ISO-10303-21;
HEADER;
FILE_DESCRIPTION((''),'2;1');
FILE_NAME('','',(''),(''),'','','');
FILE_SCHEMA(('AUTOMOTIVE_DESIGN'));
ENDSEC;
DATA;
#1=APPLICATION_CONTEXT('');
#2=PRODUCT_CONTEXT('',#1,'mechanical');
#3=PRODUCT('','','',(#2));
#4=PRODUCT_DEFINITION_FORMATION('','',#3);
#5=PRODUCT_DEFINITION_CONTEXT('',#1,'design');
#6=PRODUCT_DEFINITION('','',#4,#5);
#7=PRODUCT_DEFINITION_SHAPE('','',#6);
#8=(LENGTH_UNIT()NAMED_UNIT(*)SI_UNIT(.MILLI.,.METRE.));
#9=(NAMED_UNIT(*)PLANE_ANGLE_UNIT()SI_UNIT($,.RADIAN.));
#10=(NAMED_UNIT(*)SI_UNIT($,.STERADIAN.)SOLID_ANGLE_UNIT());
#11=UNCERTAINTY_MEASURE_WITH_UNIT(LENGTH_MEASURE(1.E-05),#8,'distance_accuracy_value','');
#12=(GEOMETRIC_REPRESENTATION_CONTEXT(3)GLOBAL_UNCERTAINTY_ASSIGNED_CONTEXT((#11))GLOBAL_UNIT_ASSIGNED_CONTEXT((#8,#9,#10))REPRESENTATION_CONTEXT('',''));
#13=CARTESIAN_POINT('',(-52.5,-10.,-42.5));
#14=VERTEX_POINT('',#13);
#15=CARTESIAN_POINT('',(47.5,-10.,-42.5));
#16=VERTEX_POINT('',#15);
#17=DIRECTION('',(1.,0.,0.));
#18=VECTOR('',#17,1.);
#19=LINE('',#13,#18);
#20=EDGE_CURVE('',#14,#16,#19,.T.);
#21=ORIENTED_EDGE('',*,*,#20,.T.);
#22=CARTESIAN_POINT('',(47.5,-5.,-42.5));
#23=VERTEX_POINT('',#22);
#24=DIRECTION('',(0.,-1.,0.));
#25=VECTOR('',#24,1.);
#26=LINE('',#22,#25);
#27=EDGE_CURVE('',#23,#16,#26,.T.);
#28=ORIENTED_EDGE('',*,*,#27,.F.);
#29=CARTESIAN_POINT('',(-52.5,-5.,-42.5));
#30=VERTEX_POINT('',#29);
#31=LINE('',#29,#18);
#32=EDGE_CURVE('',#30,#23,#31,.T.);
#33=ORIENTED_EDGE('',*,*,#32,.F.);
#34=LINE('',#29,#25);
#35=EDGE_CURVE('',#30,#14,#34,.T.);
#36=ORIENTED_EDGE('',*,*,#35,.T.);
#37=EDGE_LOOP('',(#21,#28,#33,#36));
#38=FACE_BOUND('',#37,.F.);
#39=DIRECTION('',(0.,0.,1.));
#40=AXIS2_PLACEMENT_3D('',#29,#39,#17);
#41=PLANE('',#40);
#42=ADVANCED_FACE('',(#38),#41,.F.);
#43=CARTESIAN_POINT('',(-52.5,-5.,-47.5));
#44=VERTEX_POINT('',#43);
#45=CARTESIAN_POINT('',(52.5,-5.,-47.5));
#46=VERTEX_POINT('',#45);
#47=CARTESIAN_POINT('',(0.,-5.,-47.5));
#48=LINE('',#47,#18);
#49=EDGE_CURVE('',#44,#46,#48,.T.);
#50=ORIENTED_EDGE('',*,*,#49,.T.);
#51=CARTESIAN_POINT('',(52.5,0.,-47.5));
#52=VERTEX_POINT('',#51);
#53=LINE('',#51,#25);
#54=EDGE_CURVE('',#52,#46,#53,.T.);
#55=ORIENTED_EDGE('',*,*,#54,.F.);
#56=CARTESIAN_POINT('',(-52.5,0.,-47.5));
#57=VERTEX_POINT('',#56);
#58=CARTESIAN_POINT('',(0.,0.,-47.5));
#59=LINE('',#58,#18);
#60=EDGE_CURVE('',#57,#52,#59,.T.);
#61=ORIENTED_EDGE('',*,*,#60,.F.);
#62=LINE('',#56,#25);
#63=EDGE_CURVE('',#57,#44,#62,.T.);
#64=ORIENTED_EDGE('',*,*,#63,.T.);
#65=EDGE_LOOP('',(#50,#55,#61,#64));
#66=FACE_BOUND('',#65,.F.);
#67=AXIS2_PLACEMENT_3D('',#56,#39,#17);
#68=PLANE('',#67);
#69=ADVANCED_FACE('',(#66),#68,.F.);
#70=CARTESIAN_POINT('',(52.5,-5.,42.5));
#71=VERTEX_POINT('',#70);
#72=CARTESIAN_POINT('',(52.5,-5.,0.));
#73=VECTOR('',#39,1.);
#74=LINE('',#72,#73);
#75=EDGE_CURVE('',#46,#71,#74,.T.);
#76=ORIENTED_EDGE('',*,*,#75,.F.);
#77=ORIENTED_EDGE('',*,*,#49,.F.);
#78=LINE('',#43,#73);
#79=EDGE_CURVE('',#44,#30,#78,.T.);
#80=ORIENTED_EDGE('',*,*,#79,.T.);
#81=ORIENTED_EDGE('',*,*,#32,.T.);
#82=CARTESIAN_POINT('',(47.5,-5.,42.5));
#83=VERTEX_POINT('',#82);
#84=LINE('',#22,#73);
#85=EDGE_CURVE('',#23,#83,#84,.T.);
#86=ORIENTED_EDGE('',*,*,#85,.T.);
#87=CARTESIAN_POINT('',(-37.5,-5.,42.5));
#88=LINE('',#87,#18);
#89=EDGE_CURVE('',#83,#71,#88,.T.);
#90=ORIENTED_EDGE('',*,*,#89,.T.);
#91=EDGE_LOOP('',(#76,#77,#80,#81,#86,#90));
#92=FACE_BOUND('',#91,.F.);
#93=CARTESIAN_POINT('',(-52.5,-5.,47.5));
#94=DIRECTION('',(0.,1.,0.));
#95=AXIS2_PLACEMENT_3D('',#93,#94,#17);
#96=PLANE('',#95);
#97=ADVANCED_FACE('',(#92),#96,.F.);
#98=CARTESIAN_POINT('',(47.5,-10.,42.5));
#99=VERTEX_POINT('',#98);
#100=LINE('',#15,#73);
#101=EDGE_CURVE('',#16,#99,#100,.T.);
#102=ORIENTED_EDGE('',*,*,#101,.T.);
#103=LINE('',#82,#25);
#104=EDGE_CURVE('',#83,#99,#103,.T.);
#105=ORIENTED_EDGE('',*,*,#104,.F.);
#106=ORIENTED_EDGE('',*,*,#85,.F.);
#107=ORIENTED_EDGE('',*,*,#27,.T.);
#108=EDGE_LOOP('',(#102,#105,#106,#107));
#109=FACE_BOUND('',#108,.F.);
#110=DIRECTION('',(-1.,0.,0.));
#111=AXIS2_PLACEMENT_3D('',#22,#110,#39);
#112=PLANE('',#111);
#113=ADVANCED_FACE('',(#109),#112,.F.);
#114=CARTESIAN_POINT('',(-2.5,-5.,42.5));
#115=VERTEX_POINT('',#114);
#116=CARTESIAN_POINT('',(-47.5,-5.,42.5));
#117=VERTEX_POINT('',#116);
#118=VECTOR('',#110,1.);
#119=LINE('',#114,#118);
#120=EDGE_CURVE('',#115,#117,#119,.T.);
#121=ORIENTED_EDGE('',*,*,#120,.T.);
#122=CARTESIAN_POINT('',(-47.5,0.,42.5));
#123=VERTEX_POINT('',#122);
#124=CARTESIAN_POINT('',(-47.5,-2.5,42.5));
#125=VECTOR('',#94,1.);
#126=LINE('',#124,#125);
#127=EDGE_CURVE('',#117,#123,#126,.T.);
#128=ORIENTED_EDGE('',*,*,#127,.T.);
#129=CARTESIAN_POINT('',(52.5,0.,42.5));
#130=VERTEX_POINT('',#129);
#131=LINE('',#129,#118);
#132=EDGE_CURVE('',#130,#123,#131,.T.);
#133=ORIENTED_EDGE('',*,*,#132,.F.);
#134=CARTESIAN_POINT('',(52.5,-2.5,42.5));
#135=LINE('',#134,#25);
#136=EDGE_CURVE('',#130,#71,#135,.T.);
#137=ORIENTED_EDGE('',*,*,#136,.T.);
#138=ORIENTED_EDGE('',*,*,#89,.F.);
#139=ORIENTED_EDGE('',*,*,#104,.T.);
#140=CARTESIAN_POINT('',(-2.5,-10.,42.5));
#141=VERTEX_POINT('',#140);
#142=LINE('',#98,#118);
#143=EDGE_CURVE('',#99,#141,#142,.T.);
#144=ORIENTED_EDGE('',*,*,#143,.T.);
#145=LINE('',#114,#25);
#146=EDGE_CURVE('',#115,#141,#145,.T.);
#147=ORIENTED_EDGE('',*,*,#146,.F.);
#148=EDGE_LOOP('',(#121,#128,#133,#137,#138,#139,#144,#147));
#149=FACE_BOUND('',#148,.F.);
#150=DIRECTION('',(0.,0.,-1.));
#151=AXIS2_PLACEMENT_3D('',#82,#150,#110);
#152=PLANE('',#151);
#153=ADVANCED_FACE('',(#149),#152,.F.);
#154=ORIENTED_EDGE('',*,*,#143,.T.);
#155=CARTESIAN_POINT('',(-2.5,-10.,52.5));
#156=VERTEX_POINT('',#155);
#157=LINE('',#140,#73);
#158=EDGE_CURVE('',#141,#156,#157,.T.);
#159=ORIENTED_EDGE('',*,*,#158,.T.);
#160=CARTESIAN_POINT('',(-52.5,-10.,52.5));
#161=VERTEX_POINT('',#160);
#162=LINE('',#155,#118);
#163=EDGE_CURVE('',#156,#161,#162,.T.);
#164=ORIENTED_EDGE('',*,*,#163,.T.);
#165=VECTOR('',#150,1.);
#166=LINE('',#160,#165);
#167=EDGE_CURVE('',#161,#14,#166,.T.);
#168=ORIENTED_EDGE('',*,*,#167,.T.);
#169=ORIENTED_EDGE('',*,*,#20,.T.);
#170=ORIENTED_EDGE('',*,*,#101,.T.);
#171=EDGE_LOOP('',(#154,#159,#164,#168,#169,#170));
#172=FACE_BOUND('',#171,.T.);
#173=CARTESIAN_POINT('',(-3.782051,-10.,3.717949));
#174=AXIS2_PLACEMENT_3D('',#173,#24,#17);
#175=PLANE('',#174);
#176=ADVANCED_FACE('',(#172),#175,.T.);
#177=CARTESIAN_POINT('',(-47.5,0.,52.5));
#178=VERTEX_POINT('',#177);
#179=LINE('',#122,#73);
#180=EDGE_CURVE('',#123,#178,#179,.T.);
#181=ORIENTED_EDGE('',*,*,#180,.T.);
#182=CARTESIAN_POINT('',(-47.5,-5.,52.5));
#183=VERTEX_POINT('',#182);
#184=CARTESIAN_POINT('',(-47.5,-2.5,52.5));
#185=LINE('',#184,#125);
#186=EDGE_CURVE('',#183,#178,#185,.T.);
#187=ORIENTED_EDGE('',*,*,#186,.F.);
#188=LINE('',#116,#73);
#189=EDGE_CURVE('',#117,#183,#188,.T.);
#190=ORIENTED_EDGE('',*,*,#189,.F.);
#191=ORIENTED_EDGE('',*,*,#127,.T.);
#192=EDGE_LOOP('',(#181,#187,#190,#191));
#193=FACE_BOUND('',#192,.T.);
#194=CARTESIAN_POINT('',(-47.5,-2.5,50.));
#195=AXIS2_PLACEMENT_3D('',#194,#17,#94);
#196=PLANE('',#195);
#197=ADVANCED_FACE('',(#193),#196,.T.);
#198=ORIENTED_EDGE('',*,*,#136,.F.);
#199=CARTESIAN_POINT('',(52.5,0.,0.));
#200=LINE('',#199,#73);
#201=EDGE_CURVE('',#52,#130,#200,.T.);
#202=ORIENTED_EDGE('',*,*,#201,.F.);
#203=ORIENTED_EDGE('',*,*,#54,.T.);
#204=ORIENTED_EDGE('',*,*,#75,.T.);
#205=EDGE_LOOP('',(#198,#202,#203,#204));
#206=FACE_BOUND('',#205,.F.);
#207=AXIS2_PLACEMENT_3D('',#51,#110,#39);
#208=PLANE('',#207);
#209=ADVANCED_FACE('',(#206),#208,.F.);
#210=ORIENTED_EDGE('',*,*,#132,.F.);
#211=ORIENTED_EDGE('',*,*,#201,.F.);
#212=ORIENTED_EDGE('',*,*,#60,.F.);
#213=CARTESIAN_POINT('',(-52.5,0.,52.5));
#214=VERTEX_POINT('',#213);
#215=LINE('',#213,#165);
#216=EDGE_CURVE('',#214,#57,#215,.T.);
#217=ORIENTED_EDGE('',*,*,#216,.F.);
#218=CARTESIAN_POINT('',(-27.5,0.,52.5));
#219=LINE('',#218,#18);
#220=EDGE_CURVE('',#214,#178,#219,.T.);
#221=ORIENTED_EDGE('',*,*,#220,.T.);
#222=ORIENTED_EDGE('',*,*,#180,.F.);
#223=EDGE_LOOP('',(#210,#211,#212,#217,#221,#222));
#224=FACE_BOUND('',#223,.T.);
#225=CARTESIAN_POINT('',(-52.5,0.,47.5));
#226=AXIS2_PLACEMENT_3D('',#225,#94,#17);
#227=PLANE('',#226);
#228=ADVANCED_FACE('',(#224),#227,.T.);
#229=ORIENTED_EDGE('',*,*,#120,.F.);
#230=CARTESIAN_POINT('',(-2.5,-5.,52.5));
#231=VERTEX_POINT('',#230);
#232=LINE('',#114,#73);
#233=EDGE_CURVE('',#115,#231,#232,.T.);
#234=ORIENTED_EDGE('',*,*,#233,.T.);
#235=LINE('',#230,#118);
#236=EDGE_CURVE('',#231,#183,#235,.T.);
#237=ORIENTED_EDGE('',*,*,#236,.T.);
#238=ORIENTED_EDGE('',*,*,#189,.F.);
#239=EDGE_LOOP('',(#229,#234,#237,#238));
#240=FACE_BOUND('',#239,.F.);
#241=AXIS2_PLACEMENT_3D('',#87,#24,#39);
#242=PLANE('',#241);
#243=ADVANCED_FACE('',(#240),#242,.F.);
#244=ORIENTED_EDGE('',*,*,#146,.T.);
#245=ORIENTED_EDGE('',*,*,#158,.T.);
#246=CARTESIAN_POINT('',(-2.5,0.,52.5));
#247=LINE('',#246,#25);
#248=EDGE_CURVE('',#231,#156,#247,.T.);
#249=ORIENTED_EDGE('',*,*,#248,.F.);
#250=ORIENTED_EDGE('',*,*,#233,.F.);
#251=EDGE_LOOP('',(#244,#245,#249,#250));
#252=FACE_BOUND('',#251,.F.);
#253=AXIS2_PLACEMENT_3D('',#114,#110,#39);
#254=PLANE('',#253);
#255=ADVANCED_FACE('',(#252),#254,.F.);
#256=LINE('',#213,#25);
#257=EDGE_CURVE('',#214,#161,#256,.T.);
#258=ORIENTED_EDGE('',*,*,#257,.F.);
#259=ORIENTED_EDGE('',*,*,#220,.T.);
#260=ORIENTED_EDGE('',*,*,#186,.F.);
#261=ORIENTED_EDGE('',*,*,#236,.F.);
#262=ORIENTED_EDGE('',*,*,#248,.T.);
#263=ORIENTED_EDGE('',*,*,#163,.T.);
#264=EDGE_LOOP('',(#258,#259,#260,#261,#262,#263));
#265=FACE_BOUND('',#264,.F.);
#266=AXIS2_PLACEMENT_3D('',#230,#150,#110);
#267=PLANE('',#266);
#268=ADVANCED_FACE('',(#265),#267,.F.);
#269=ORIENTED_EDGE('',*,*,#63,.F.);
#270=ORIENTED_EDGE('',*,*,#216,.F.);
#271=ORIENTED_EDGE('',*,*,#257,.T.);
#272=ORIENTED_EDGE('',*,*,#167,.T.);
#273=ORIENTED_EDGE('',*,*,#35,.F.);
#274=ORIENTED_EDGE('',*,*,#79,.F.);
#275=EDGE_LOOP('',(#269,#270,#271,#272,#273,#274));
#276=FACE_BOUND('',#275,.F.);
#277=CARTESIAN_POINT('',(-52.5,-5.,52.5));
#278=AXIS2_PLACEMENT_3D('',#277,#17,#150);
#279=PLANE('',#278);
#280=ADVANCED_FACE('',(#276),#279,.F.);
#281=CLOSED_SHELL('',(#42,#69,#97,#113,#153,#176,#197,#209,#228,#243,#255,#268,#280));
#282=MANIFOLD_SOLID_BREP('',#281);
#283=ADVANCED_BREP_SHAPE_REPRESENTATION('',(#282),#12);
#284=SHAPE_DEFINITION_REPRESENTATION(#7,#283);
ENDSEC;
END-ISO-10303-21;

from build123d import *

# Parameters (mm, degrees)
F0_W      = 105
F0_H      = 95
F1_DEPTH  = 5
F2_W      = 50
F2_H      = 5
F3_DEPTH  = 5
F5_DEPTH  = 5
F6_W      = 5
F6_H      = 5
F7_DEPTH  = 45
F8_W      = 10
F8_H      = 5
F9_DEPTH  = 5
F9_FACE_W = 5
F9_FACE_H = 5
F10_DEPTH = 90


with BuildPart() as f1:
    # F0 (on Front) → F1 (new body)
    with BuildSketch(Plane.XZ):
        Rectangle(F0_W, F0_H)
    extrude(amount=F1_DEPTH)

    # F2 (on face) → F3 (join)
    with BuildSketch(Plane.XY.offset(47.5)):
        with Locations((-27.5, -2.5)):
            Rectangle(F2_W, F2_H)
    extrude(amount=F3_DEPTH)

    # F4 (on face) → F5 (join)
    with BuildSketch(Plane.XZ.offset(5)):
        Polygon((-2.5, 42.5), (-2.5, 47.5), (-2.5, 52.5), (-52.5, 52.5), (-52.5, -42.5), (47.5, -42.5), (47.5, 42.5), align=None)
    extrude(amount=F5_DEPTH)

    # F6 (on face) → F7 (cut)
    with BuildSketch(Plane.YZ.offset(-2.5)):
        with Locations((-2.5, 50)):
            Rectangle(F6_W, F6_H)
    extrude(amount=-F7_DEPTH, mode=Mode.SUBTRACT)

    # F8 (on face) → F9 (cut)
    with BuildSketch(Plane.XY.offset(47.5)):
        with Locations((-42.5, -2.5)):
            Rectangle(F8_W, F8_H)
    extrude(amount=-F9_DEPTH, mode=Mode.SUBTRACT)

    # F9_face (on face) → F10 (cut)
    with BuildSketch(Plane(origin=(-37.5, -2.5, 45), x_dir=(0, -1, 0), z_dir=(-1, 0, 0))):
        Rectangle(F9_FACE_W, F9_FACE_H)
    extrude(amount=-F10_DEPTH, mode=Mode.SUBTRACT)


solid = f1.part
